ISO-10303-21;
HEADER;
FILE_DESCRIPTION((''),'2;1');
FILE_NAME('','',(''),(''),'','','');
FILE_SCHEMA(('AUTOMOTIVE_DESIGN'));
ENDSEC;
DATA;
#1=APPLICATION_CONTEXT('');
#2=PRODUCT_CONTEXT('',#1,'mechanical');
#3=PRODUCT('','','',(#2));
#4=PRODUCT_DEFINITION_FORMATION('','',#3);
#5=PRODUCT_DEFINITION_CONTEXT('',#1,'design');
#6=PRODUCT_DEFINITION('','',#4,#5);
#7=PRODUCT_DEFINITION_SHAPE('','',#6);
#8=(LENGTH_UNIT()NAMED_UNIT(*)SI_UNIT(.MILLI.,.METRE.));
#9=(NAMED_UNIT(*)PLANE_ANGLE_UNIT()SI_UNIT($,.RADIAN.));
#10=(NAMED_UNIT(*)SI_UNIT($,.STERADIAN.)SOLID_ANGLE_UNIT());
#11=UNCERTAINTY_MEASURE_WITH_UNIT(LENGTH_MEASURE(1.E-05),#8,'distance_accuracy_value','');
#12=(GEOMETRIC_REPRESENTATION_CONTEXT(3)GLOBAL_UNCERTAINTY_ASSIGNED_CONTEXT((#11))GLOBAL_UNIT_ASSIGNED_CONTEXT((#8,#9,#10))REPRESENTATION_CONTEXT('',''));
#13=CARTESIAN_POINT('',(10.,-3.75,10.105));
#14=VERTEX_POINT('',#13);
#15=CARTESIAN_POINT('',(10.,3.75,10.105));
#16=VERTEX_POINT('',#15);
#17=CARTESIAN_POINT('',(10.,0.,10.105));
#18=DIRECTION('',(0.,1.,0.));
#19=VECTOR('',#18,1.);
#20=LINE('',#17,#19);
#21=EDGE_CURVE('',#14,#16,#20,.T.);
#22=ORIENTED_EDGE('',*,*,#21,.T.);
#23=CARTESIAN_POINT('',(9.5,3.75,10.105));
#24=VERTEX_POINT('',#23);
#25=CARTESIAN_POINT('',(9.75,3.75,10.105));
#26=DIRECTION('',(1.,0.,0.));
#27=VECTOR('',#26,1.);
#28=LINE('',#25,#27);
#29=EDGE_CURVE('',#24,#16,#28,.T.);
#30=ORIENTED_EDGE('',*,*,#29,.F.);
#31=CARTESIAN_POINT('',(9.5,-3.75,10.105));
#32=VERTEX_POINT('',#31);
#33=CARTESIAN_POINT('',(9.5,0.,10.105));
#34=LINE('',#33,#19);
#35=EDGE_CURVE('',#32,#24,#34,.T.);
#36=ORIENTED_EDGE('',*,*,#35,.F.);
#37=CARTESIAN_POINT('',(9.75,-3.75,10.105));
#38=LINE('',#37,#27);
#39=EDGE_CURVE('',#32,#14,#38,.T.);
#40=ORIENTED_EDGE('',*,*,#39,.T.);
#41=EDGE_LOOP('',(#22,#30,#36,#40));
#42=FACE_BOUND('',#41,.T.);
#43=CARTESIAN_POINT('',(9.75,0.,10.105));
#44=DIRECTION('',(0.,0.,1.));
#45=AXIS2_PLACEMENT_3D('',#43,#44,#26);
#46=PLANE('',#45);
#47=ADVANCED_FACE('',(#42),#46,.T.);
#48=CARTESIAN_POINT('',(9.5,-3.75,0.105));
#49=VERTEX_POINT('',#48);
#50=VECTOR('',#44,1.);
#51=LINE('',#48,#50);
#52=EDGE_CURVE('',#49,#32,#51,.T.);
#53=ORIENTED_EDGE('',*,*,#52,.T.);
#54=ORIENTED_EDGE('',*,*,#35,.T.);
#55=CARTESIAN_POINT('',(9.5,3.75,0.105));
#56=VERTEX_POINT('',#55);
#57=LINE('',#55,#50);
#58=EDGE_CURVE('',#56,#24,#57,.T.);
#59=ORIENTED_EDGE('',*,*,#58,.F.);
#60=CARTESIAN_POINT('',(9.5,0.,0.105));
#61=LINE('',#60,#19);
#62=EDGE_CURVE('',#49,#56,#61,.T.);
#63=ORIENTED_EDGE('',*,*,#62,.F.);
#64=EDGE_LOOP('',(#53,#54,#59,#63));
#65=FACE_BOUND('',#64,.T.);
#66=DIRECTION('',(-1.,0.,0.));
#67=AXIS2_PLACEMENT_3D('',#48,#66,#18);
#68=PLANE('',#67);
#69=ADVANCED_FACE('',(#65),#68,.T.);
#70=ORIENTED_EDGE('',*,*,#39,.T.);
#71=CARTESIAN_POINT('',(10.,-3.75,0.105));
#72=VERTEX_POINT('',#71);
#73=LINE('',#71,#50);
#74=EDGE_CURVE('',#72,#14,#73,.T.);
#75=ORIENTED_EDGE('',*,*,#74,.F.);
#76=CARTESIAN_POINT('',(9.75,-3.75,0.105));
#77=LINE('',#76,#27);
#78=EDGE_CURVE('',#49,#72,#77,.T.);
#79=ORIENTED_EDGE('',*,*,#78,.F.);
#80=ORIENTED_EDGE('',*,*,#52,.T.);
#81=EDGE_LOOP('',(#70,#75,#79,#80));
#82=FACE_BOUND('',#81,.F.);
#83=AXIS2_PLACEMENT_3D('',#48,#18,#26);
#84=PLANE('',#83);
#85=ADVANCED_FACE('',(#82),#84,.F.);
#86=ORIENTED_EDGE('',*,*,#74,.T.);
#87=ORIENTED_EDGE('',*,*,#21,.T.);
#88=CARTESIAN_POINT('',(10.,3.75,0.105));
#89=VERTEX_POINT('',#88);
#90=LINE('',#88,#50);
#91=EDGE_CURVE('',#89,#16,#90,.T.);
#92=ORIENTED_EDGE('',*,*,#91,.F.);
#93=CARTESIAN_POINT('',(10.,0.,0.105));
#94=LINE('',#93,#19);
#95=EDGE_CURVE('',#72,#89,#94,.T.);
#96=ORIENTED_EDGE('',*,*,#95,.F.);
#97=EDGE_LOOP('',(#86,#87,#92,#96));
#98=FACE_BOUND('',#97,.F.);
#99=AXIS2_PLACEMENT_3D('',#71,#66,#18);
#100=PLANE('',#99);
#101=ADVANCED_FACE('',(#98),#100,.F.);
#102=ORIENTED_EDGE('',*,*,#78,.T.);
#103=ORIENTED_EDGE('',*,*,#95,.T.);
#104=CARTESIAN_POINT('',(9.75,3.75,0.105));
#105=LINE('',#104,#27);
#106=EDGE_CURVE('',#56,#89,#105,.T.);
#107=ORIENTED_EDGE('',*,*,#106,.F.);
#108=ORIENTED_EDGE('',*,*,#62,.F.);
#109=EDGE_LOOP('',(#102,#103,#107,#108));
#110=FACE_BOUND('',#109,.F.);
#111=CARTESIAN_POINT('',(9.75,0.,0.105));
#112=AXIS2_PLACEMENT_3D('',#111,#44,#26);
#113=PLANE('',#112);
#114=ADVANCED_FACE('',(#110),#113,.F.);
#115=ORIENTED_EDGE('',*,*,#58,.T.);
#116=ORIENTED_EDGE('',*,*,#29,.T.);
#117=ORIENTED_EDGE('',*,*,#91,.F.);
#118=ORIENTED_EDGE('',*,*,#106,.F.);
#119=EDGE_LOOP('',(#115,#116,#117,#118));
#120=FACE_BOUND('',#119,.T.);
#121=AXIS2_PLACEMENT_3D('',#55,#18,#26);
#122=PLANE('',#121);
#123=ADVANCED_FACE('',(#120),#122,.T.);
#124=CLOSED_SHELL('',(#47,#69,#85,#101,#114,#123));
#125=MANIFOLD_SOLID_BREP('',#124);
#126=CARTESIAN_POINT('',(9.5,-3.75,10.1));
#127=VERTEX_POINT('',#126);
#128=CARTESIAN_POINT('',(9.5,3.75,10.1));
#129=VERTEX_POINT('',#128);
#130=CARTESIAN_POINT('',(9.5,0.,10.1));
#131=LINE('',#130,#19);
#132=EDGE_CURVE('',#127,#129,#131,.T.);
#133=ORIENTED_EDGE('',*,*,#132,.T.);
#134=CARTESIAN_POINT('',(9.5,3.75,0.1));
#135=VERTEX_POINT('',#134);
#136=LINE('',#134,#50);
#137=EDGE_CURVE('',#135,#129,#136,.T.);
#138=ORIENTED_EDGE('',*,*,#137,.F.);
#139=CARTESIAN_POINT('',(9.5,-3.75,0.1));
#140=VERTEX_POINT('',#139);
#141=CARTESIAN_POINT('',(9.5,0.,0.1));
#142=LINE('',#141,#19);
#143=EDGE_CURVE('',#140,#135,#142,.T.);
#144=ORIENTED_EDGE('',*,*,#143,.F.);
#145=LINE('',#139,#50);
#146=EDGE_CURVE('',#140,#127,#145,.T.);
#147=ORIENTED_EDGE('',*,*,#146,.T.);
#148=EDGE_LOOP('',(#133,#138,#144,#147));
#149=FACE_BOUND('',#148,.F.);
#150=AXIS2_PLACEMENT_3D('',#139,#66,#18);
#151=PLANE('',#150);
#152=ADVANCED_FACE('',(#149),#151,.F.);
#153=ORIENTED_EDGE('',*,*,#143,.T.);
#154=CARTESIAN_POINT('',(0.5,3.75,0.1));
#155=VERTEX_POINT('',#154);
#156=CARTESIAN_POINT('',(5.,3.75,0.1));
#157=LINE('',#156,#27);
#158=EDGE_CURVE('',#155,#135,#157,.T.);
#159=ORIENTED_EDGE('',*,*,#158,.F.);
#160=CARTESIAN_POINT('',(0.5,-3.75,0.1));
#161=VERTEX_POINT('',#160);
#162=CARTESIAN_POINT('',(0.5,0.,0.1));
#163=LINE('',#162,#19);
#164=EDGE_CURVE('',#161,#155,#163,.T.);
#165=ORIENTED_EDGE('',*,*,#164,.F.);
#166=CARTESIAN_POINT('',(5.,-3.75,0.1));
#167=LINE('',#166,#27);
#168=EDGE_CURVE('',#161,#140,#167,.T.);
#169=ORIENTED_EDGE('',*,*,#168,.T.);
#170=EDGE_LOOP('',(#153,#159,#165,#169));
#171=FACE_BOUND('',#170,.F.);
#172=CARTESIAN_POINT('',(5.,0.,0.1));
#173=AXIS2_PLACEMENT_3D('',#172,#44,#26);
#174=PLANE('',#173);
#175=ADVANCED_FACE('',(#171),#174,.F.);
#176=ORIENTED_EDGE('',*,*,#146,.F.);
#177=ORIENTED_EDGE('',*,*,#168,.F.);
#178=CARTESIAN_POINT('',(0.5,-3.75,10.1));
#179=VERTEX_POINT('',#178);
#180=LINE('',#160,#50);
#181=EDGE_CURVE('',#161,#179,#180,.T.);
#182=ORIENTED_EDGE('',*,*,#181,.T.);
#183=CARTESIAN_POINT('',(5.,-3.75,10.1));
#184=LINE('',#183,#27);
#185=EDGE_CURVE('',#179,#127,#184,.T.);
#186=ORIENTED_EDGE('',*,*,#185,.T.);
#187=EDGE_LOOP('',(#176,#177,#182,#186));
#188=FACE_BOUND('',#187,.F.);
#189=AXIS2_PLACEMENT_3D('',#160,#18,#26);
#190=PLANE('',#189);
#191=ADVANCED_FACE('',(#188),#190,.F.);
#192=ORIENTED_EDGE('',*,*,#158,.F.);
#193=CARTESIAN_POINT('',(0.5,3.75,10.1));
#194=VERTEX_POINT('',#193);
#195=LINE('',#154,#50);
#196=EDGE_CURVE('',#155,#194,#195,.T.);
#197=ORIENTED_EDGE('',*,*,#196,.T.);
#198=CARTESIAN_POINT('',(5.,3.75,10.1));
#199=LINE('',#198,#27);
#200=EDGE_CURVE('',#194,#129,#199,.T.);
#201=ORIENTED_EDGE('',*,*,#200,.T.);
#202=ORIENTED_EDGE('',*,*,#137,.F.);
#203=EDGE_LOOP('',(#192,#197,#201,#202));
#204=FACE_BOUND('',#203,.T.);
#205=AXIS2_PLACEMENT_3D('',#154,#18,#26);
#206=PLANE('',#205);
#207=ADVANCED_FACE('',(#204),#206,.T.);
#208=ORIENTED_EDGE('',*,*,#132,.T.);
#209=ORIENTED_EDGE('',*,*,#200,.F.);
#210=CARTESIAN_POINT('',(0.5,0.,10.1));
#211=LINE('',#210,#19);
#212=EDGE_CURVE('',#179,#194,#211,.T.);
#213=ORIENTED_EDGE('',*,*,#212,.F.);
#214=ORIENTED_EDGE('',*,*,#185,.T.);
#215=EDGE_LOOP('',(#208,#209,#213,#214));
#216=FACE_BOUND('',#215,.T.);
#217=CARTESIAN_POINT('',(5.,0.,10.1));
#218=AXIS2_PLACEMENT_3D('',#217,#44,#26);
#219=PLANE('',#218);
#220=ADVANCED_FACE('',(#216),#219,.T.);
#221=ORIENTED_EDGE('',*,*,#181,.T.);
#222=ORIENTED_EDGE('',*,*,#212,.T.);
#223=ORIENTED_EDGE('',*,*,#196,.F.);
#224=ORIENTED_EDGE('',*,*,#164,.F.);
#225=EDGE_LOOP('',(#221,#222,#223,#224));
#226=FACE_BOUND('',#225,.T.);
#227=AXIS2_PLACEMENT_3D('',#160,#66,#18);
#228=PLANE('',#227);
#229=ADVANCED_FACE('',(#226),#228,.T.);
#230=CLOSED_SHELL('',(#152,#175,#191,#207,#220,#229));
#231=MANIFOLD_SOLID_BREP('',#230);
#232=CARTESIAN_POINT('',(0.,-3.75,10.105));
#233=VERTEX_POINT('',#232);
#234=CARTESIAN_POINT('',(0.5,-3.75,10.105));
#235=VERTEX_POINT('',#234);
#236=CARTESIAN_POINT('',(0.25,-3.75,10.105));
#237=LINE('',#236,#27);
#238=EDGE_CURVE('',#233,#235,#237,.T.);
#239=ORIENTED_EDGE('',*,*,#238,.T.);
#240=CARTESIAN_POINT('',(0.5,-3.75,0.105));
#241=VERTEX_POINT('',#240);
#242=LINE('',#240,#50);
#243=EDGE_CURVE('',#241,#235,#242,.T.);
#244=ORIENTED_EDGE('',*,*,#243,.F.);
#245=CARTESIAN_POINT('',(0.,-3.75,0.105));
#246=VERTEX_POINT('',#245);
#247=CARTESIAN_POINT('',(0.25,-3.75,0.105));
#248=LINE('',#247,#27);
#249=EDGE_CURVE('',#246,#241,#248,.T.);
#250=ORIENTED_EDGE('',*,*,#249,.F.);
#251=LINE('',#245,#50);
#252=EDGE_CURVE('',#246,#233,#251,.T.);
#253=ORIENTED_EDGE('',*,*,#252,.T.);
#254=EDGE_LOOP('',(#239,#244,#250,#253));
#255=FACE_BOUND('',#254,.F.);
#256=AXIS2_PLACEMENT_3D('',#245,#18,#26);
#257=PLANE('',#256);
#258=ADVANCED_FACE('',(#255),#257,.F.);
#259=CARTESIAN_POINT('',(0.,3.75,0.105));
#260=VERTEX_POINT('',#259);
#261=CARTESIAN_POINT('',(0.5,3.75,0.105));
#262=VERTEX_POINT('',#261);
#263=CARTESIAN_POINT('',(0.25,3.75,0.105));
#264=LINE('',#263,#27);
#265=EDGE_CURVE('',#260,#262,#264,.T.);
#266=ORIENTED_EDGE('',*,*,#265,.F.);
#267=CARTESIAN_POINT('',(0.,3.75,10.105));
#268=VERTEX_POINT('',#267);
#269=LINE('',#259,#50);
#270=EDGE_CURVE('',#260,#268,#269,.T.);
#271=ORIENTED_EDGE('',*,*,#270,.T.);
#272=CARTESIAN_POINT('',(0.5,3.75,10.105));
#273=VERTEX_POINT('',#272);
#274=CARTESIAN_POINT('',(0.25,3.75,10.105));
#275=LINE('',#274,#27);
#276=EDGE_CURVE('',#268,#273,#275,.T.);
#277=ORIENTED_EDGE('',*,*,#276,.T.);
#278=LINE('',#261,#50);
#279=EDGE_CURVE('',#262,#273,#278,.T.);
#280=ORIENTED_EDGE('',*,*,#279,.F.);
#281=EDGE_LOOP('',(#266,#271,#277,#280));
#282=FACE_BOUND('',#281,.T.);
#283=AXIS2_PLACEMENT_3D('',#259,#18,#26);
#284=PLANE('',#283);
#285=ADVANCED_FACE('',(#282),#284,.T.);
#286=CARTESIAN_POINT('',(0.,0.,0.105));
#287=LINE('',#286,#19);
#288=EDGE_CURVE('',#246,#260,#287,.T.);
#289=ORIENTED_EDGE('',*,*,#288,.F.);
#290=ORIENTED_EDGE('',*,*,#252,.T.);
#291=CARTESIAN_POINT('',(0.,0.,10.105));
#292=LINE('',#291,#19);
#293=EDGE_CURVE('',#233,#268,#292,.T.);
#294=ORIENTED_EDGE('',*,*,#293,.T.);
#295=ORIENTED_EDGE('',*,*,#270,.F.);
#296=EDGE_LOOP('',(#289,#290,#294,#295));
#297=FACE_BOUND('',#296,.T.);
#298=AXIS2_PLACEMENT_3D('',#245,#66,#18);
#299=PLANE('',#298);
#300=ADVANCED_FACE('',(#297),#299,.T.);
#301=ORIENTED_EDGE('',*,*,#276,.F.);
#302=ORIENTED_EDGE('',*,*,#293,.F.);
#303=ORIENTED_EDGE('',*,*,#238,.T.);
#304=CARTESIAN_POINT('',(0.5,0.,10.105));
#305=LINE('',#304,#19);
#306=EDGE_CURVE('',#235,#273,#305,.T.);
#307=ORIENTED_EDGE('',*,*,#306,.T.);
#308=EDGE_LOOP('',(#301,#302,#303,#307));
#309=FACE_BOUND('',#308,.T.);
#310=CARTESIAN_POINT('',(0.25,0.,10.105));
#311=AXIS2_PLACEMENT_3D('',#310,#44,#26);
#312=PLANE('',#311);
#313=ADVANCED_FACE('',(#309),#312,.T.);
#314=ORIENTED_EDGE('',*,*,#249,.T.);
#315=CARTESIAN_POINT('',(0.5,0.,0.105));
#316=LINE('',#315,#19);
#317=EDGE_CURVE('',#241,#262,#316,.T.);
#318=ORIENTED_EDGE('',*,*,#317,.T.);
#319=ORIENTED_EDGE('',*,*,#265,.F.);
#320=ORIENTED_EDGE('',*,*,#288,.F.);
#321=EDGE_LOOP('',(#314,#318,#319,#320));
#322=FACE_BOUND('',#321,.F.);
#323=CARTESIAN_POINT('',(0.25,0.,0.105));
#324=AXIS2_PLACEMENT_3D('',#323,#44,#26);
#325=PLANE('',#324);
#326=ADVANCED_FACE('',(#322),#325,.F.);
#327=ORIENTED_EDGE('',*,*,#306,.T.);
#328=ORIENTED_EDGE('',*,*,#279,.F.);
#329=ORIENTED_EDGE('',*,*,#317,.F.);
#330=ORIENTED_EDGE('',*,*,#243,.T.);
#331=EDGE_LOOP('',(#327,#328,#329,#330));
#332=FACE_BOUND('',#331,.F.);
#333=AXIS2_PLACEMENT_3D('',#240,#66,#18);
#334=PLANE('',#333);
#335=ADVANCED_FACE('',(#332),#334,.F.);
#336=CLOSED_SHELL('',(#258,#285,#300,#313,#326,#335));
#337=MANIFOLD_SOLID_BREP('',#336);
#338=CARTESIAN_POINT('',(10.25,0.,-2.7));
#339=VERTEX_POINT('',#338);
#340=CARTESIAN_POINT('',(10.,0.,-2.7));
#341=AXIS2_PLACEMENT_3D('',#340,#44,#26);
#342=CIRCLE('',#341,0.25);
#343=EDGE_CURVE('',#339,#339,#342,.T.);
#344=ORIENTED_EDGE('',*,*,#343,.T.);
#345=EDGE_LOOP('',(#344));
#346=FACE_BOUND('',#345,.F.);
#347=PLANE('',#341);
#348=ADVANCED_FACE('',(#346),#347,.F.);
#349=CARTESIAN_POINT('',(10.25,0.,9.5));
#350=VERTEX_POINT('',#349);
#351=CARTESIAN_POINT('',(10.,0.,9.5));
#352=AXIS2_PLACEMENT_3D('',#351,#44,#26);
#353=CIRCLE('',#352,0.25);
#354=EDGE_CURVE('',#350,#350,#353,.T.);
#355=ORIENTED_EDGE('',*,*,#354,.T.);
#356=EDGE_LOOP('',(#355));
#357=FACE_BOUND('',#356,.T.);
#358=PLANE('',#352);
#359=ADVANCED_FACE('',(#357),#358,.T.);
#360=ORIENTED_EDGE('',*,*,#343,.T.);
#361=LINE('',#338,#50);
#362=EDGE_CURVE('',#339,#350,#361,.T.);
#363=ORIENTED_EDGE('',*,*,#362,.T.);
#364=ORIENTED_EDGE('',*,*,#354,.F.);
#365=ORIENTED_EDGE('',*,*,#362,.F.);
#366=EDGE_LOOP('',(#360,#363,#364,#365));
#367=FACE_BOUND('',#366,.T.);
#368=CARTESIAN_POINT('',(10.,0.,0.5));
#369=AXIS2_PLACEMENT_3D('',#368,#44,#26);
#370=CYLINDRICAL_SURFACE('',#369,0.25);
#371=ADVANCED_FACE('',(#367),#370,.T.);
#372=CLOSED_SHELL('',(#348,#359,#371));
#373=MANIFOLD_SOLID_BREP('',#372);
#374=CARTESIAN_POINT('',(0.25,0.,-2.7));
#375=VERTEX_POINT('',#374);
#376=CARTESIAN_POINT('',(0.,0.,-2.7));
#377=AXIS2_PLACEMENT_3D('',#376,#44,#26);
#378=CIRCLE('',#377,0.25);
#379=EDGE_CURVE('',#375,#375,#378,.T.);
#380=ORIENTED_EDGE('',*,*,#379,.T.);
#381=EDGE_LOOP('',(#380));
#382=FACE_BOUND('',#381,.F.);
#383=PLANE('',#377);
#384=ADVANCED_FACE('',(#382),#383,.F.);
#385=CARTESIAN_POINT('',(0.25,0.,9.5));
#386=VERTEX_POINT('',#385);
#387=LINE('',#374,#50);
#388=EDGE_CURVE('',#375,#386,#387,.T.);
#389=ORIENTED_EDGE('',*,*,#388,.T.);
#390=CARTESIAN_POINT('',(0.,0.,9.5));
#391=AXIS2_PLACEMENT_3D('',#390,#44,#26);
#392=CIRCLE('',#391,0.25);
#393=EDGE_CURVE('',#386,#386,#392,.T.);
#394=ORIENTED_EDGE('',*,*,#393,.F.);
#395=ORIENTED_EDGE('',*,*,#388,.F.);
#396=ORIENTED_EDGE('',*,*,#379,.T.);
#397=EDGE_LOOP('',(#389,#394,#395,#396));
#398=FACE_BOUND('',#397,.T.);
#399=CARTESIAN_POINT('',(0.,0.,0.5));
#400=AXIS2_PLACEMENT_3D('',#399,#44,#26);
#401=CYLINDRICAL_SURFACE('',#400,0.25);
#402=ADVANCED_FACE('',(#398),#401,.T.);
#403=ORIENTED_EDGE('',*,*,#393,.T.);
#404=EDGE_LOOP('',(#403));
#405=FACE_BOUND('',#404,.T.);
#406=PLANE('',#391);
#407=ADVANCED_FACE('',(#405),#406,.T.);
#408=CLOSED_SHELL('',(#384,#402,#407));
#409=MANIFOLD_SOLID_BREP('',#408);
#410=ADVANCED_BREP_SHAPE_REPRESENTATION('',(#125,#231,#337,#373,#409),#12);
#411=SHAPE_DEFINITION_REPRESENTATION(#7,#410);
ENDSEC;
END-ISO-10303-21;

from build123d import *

# Parameters (mm, degrees)
SKETCH_W          = 9
SKETCH_H          = 7.5
PAD_DEPTH         = 10
SKETCH001_R       = 0.25
PAD001_DEPTH      = 9
PAD001_DEPTH_BACK = 3.2
SKETCH002_W       = 0.5
SKETCH002_H       = 7.5
PAD002_DEPTH      = 10


with BuildPart() as pad:
    # Sketch → Pad (new body)
    with BuildSketch(Plane.XY.offset(0.1)):
        with Locations((5, 0)):
            Rectangle(SKETCH_W, SKETCH_H)
    extrude(amount=PAD_DEPTH)


with BuildPart() as pad001:
    # Sketch001 → Pad001 (new body, two sides)
    with BuildSketch(Plane.XY.offset(0.5)) as pad001_sk:
        Circle(SKETCH001_R)
        with Locations((10, 0)):
            Circle(SKETCH001_R)
    extrude(amount=PAD001_DEPTH)
    extrude(pad001_sk.sketch, amount=-PAD001_DEPTH_BACK)


with BuildPart() as pad002:
    # Sketch002 → Pad002 (new body)
    with BuildSketch(Plane.XY.offset(0.105)):
        with Locations((0.25, 0)):
            Rectangle(SKETCH002_W, SKETCH002_H)
        with Locations((9.75, 0)):
            Rectangle(SKETCH002_W, SKETCH002_H)
    extrude(amount=PAD002_DEPTH)


solid = Compound([pad.part, pad001.part, pad002.part])
